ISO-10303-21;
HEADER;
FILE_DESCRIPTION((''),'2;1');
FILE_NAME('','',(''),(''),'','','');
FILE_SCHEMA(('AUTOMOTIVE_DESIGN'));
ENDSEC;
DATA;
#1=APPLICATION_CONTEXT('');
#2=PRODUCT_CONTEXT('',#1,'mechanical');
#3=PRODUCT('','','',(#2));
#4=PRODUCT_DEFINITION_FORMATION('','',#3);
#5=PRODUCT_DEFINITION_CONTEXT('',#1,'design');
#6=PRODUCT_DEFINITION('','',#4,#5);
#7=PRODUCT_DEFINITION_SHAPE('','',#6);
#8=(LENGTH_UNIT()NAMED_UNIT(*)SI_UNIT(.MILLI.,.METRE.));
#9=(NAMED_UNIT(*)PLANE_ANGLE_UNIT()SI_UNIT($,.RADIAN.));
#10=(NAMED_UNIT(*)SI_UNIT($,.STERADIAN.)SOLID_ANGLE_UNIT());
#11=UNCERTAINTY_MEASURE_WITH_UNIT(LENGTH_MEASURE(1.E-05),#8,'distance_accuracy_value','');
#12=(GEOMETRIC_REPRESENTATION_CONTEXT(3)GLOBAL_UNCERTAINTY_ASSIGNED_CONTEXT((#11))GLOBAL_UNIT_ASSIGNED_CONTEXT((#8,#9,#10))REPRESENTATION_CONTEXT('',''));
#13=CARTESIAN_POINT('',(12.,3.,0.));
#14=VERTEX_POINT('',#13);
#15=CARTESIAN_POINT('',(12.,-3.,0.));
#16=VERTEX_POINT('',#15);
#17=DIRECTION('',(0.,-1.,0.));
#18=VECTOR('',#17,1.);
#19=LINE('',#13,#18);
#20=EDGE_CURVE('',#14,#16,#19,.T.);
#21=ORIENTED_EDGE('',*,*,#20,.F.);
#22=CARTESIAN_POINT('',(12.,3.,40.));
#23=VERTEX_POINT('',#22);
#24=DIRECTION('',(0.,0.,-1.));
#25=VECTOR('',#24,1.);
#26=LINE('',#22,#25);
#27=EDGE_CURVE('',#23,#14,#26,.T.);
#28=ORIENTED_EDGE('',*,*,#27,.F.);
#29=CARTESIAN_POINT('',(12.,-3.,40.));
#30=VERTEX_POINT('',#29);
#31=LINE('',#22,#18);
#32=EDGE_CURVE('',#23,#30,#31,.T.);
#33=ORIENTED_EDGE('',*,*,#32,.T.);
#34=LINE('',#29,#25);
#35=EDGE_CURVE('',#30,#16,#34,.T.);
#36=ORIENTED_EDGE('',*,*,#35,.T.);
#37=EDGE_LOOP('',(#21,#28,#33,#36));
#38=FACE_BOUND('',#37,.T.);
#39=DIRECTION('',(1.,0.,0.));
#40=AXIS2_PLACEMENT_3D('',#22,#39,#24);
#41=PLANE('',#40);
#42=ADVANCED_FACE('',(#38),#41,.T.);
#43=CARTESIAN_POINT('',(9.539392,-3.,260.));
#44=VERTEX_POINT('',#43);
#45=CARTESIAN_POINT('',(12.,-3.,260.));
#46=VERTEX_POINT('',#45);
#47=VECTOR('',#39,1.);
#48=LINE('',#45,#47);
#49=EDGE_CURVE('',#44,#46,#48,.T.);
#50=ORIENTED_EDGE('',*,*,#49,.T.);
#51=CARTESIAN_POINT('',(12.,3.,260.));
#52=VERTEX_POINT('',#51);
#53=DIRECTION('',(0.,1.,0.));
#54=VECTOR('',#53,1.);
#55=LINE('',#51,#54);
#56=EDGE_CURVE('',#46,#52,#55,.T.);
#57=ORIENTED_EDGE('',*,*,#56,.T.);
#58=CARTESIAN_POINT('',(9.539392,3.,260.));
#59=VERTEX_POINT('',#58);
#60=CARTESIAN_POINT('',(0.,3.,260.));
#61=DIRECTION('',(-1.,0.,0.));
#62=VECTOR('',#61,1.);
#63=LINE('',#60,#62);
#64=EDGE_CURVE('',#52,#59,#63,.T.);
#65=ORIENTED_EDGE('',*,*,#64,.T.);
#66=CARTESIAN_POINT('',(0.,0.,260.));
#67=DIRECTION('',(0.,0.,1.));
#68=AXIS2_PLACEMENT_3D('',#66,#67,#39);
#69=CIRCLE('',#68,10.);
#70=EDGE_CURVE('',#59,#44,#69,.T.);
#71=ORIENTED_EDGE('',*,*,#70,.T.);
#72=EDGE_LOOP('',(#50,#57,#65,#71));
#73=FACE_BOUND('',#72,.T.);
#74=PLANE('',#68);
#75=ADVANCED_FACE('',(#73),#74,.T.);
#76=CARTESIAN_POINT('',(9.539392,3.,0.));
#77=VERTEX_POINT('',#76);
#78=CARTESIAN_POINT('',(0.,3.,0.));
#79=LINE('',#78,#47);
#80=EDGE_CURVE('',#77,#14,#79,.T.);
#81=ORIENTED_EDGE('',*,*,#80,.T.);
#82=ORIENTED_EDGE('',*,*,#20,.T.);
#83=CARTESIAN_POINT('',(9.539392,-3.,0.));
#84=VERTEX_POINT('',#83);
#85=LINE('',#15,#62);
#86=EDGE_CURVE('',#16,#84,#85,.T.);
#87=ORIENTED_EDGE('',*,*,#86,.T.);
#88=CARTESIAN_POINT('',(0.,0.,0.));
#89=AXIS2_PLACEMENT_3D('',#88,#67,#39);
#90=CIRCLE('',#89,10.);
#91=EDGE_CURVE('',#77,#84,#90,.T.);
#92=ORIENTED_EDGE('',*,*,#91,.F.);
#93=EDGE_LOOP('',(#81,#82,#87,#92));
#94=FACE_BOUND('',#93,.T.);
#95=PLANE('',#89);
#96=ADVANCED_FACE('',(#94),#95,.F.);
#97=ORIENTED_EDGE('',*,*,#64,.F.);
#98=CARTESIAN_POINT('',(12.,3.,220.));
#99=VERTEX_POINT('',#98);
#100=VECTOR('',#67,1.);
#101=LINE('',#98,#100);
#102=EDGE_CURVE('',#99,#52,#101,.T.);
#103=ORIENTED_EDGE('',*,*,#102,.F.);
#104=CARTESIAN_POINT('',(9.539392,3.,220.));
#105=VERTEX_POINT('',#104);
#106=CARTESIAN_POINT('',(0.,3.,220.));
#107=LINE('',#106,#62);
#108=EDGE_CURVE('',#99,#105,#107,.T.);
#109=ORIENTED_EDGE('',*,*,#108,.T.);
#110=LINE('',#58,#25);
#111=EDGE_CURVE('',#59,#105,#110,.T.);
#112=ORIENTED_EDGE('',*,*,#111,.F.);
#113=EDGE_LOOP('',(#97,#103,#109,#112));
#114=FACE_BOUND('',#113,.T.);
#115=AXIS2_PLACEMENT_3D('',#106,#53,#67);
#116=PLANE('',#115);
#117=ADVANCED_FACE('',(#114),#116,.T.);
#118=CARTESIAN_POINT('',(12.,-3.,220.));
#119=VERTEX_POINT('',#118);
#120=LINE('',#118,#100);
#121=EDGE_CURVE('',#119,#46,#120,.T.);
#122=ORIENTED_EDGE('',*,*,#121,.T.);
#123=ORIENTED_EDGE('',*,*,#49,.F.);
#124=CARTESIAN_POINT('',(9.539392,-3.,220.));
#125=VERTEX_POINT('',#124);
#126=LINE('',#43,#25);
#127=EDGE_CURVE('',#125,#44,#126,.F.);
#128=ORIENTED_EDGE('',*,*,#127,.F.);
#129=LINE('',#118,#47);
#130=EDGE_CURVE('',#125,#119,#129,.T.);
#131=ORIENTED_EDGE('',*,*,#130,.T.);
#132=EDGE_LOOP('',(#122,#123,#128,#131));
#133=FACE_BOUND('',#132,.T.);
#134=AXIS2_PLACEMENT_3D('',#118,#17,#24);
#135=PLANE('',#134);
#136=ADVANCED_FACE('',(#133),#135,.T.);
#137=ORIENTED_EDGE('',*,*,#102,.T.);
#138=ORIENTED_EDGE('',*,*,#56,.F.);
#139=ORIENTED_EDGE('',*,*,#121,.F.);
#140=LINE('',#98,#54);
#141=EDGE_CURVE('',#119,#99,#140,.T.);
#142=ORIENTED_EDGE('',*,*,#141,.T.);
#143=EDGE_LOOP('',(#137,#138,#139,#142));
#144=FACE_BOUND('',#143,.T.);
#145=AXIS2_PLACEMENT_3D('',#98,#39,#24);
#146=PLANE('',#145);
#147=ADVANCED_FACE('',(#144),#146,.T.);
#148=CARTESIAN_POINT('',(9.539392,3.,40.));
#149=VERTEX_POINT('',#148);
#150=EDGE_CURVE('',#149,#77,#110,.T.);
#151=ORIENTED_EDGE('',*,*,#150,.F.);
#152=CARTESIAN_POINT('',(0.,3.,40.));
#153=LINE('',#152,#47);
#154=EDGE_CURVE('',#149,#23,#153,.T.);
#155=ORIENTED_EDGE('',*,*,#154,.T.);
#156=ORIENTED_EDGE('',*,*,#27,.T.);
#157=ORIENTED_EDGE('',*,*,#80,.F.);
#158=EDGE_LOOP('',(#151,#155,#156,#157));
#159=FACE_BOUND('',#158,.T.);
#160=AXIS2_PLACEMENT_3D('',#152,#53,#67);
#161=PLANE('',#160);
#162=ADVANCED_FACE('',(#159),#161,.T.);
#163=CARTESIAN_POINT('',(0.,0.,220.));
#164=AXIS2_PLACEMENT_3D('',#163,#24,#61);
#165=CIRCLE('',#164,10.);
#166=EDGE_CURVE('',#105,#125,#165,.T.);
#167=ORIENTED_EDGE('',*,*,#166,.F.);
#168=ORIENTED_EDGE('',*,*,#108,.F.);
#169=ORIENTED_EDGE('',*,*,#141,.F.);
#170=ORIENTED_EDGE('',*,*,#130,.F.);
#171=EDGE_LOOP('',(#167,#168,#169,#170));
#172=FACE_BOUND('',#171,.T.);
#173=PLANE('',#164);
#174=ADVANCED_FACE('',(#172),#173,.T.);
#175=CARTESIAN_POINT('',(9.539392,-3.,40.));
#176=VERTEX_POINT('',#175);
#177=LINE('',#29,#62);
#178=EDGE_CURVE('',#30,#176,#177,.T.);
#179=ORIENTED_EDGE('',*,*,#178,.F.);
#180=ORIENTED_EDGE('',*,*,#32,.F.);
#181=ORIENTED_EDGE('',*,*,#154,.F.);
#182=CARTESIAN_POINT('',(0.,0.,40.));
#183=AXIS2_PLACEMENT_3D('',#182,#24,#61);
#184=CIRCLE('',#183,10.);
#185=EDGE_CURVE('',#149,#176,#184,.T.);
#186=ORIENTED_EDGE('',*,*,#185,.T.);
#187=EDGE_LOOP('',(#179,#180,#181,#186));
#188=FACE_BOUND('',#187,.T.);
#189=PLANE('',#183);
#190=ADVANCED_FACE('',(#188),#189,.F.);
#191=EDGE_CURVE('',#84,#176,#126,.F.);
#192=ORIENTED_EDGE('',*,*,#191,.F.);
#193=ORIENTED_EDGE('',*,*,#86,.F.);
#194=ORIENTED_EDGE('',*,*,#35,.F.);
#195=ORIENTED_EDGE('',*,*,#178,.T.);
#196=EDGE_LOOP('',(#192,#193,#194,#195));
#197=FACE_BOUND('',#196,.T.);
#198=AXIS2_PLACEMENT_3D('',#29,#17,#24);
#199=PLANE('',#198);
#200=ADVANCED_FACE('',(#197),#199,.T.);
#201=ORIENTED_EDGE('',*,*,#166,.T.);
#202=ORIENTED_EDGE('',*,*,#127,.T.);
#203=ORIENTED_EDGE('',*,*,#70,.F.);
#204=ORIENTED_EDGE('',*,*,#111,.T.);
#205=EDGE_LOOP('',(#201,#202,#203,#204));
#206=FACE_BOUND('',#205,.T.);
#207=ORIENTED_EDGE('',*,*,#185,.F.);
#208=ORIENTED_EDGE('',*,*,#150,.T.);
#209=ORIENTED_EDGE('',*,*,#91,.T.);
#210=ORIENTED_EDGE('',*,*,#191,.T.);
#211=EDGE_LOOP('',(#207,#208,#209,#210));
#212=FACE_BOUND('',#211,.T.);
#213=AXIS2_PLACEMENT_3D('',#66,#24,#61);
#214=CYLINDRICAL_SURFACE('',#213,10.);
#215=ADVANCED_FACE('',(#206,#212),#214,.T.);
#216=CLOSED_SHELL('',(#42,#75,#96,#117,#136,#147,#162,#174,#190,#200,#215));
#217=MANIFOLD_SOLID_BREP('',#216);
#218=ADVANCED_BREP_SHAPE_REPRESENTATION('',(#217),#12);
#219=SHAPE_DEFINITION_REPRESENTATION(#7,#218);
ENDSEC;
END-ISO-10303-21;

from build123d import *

# Parameters (mm, degrees)
SKETCH2_R           = 10
BOSS_EXTRUDE5_DEPTH = 260
SKETCH5_W           = 12
SKETCH5_H           = 6
BOSS_EXTRUDE6_DEPTH = 40
SKETCH6_W           = 12
SKETCH6_H           = 6
BOSS_EXTRUDE7_DEPTH = 40


with BuildPart() as part:
    # Sketch2 → Boss-Extrude5 (new body)
    with BuildSketch(Plane.XY):
        Circle(SKETCH2_R)
    extrude(amount=BOSS_EXTRUDE5_DEPTH)

    # Sketch5 → Boss-Extrude6 (add)
    with BuildSketch(Plane.XY.offset(260)):
        with Locations((6, 0)):
            Rectangle(SKETCH5_W, SKETCH5_H)
    extrude(amount=-BOSS_EXTRUDE6_DEPTH)

    # Sketch6 → Boss-Extrude7 (add)
    with BuildSketch(Plane(origin=(0, 0, 0), x_dir=(-1, 0, 0), z_dir=(0, 0, -1))):
        with Locations((-6, 0)):
            Rectangle(SKETCH6_W, SKETCH6_H)
    extrude(amount=-BOSS_EXTRUDE7_DEPTH)


solid = part.part
